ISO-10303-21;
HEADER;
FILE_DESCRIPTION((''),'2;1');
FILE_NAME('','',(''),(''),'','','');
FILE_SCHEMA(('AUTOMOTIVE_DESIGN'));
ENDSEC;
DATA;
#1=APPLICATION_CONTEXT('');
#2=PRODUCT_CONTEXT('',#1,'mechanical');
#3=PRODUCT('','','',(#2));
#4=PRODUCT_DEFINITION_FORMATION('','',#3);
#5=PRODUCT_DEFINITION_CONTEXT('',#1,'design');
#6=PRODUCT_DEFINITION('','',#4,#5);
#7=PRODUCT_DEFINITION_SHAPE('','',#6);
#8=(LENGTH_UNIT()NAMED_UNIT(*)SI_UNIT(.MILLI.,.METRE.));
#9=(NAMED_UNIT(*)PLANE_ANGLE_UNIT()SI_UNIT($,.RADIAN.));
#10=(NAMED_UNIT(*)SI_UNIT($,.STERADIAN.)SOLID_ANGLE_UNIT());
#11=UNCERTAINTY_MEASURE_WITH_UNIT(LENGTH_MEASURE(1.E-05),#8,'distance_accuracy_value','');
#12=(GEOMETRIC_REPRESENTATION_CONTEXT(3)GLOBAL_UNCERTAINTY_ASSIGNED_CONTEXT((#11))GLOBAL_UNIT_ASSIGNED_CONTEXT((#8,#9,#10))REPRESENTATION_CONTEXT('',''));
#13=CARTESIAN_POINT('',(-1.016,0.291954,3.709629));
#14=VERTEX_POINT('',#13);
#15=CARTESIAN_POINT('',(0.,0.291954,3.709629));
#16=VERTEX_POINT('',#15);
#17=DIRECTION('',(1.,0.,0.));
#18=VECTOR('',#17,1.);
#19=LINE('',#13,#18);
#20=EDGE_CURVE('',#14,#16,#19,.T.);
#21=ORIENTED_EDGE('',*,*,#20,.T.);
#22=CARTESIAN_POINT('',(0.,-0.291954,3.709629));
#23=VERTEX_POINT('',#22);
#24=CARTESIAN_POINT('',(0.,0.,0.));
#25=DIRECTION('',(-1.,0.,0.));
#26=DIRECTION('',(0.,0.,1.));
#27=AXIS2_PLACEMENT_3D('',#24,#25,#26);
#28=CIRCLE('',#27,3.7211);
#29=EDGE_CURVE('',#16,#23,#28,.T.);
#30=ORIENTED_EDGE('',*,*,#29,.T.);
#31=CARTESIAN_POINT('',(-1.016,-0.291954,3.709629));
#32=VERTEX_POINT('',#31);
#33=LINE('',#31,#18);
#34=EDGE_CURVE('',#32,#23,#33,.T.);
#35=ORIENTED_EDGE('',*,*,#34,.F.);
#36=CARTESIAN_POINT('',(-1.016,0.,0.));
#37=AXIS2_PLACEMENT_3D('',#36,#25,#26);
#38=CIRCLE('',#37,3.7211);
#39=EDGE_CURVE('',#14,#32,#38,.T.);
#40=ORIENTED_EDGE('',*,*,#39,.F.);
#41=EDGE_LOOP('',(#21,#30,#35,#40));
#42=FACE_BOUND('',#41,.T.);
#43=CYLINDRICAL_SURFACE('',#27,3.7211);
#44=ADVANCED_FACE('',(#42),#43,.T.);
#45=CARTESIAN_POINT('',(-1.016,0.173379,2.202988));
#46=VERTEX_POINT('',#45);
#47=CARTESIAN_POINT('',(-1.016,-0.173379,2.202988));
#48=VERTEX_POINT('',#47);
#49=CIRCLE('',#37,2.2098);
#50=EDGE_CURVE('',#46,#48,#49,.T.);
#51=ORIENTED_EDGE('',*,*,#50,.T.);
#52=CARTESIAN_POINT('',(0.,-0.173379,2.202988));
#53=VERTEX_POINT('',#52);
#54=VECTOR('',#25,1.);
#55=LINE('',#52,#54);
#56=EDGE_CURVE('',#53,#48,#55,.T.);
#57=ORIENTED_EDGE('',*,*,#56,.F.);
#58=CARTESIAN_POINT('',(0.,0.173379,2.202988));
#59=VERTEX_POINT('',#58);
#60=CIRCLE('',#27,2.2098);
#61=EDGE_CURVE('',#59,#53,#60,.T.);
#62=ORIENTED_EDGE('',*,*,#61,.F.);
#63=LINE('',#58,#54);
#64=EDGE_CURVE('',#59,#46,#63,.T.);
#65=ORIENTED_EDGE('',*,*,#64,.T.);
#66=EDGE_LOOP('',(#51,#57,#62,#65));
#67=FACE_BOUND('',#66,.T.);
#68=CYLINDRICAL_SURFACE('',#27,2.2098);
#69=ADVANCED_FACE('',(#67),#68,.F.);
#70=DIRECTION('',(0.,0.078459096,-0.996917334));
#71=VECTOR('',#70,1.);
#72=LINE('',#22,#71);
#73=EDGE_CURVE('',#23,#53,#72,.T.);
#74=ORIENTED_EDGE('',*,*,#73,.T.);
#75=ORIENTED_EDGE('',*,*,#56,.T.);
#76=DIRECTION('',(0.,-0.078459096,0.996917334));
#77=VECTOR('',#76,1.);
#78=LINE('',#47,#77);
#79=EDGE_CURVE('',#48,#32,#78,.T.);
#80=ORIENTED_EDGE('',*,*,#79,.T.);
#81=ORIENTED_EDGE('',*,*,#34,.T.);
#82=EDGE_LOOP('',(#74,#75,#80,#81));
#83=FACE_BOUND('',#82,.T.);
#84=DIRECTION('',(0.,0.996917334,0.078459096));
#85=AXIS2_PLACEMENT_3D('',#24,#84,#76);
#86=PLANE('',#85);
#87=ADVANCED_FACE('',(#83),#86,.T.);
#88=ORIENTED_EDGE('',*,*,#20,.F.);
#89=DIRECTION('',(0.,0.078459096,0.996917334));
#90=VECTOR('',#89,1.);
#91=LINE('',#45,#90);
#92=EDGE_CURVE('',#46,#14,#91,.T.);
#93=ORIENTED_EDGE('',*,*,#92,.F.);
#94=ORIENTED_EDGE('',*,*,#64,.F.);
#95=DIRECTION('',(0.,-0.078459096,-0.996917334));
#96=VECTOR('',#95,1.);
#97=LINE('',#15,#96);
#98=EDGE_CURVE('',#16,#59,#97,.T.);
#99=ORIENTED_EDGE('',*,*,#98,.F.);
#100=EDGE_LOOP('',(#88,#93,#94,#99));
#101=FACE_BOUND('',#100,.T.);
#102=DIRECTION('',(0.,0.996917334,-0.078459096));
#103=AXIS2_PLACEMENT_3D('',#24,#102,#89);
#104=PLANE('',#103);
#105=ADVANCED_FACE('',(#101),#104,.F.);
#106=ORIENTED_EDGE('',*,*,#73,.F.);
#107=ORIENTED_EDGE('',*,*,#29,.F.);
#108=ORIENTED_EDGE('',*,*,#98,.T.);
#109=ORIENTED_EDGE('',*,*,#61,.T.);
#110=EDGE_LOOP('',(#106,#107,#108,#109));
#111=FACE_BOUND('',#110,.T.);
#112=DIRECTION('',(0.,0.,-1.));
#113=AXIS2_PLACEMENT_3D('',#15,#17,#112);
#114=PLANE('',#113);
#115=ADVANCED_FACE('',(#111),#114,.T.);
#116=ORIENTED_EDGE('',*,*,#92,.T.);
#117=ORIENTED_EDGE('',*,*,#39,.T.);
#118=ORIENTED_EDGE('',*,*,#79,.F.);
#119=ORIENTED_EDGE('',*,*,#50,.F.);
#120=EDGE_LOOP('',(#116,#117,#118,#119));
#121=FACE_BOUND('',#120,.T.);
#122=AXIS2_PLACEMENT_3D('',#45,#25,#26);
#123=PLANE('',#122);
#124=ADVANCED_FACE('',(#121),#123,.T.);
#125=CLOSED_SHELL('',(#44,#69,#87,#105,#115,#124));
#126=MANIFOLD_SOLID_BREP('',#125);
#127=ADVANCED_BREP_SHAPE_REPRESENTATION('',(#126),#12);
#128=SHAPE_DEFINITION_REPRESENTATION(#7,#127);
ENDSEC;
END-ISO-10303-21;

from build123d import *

# Parameters (mm, degrees)
SKETCH1_W      = 1.016
SKETCH1_H      = 1.5113
REVOLVE1_ANGLE = 351


with BuildPart() as part:
    # Sketch1 → Revolve1 (revolve)
    with BuildSketch(Plane(origin=(0, 0, 0), x_dir=(-1, 0, 0), z_dir=(0, 0.996917333733128, 0.07845909572784564))):
        with Locations((0.508, 2.96545)):
            Rectangle(SKETCH1_W, SKETCH1_H)
    revolve(axis=Axis((0, 0, 0), (1, 0, 0)), revolution_arc=REVOLVE1_ANGLE)


solid = part.part
